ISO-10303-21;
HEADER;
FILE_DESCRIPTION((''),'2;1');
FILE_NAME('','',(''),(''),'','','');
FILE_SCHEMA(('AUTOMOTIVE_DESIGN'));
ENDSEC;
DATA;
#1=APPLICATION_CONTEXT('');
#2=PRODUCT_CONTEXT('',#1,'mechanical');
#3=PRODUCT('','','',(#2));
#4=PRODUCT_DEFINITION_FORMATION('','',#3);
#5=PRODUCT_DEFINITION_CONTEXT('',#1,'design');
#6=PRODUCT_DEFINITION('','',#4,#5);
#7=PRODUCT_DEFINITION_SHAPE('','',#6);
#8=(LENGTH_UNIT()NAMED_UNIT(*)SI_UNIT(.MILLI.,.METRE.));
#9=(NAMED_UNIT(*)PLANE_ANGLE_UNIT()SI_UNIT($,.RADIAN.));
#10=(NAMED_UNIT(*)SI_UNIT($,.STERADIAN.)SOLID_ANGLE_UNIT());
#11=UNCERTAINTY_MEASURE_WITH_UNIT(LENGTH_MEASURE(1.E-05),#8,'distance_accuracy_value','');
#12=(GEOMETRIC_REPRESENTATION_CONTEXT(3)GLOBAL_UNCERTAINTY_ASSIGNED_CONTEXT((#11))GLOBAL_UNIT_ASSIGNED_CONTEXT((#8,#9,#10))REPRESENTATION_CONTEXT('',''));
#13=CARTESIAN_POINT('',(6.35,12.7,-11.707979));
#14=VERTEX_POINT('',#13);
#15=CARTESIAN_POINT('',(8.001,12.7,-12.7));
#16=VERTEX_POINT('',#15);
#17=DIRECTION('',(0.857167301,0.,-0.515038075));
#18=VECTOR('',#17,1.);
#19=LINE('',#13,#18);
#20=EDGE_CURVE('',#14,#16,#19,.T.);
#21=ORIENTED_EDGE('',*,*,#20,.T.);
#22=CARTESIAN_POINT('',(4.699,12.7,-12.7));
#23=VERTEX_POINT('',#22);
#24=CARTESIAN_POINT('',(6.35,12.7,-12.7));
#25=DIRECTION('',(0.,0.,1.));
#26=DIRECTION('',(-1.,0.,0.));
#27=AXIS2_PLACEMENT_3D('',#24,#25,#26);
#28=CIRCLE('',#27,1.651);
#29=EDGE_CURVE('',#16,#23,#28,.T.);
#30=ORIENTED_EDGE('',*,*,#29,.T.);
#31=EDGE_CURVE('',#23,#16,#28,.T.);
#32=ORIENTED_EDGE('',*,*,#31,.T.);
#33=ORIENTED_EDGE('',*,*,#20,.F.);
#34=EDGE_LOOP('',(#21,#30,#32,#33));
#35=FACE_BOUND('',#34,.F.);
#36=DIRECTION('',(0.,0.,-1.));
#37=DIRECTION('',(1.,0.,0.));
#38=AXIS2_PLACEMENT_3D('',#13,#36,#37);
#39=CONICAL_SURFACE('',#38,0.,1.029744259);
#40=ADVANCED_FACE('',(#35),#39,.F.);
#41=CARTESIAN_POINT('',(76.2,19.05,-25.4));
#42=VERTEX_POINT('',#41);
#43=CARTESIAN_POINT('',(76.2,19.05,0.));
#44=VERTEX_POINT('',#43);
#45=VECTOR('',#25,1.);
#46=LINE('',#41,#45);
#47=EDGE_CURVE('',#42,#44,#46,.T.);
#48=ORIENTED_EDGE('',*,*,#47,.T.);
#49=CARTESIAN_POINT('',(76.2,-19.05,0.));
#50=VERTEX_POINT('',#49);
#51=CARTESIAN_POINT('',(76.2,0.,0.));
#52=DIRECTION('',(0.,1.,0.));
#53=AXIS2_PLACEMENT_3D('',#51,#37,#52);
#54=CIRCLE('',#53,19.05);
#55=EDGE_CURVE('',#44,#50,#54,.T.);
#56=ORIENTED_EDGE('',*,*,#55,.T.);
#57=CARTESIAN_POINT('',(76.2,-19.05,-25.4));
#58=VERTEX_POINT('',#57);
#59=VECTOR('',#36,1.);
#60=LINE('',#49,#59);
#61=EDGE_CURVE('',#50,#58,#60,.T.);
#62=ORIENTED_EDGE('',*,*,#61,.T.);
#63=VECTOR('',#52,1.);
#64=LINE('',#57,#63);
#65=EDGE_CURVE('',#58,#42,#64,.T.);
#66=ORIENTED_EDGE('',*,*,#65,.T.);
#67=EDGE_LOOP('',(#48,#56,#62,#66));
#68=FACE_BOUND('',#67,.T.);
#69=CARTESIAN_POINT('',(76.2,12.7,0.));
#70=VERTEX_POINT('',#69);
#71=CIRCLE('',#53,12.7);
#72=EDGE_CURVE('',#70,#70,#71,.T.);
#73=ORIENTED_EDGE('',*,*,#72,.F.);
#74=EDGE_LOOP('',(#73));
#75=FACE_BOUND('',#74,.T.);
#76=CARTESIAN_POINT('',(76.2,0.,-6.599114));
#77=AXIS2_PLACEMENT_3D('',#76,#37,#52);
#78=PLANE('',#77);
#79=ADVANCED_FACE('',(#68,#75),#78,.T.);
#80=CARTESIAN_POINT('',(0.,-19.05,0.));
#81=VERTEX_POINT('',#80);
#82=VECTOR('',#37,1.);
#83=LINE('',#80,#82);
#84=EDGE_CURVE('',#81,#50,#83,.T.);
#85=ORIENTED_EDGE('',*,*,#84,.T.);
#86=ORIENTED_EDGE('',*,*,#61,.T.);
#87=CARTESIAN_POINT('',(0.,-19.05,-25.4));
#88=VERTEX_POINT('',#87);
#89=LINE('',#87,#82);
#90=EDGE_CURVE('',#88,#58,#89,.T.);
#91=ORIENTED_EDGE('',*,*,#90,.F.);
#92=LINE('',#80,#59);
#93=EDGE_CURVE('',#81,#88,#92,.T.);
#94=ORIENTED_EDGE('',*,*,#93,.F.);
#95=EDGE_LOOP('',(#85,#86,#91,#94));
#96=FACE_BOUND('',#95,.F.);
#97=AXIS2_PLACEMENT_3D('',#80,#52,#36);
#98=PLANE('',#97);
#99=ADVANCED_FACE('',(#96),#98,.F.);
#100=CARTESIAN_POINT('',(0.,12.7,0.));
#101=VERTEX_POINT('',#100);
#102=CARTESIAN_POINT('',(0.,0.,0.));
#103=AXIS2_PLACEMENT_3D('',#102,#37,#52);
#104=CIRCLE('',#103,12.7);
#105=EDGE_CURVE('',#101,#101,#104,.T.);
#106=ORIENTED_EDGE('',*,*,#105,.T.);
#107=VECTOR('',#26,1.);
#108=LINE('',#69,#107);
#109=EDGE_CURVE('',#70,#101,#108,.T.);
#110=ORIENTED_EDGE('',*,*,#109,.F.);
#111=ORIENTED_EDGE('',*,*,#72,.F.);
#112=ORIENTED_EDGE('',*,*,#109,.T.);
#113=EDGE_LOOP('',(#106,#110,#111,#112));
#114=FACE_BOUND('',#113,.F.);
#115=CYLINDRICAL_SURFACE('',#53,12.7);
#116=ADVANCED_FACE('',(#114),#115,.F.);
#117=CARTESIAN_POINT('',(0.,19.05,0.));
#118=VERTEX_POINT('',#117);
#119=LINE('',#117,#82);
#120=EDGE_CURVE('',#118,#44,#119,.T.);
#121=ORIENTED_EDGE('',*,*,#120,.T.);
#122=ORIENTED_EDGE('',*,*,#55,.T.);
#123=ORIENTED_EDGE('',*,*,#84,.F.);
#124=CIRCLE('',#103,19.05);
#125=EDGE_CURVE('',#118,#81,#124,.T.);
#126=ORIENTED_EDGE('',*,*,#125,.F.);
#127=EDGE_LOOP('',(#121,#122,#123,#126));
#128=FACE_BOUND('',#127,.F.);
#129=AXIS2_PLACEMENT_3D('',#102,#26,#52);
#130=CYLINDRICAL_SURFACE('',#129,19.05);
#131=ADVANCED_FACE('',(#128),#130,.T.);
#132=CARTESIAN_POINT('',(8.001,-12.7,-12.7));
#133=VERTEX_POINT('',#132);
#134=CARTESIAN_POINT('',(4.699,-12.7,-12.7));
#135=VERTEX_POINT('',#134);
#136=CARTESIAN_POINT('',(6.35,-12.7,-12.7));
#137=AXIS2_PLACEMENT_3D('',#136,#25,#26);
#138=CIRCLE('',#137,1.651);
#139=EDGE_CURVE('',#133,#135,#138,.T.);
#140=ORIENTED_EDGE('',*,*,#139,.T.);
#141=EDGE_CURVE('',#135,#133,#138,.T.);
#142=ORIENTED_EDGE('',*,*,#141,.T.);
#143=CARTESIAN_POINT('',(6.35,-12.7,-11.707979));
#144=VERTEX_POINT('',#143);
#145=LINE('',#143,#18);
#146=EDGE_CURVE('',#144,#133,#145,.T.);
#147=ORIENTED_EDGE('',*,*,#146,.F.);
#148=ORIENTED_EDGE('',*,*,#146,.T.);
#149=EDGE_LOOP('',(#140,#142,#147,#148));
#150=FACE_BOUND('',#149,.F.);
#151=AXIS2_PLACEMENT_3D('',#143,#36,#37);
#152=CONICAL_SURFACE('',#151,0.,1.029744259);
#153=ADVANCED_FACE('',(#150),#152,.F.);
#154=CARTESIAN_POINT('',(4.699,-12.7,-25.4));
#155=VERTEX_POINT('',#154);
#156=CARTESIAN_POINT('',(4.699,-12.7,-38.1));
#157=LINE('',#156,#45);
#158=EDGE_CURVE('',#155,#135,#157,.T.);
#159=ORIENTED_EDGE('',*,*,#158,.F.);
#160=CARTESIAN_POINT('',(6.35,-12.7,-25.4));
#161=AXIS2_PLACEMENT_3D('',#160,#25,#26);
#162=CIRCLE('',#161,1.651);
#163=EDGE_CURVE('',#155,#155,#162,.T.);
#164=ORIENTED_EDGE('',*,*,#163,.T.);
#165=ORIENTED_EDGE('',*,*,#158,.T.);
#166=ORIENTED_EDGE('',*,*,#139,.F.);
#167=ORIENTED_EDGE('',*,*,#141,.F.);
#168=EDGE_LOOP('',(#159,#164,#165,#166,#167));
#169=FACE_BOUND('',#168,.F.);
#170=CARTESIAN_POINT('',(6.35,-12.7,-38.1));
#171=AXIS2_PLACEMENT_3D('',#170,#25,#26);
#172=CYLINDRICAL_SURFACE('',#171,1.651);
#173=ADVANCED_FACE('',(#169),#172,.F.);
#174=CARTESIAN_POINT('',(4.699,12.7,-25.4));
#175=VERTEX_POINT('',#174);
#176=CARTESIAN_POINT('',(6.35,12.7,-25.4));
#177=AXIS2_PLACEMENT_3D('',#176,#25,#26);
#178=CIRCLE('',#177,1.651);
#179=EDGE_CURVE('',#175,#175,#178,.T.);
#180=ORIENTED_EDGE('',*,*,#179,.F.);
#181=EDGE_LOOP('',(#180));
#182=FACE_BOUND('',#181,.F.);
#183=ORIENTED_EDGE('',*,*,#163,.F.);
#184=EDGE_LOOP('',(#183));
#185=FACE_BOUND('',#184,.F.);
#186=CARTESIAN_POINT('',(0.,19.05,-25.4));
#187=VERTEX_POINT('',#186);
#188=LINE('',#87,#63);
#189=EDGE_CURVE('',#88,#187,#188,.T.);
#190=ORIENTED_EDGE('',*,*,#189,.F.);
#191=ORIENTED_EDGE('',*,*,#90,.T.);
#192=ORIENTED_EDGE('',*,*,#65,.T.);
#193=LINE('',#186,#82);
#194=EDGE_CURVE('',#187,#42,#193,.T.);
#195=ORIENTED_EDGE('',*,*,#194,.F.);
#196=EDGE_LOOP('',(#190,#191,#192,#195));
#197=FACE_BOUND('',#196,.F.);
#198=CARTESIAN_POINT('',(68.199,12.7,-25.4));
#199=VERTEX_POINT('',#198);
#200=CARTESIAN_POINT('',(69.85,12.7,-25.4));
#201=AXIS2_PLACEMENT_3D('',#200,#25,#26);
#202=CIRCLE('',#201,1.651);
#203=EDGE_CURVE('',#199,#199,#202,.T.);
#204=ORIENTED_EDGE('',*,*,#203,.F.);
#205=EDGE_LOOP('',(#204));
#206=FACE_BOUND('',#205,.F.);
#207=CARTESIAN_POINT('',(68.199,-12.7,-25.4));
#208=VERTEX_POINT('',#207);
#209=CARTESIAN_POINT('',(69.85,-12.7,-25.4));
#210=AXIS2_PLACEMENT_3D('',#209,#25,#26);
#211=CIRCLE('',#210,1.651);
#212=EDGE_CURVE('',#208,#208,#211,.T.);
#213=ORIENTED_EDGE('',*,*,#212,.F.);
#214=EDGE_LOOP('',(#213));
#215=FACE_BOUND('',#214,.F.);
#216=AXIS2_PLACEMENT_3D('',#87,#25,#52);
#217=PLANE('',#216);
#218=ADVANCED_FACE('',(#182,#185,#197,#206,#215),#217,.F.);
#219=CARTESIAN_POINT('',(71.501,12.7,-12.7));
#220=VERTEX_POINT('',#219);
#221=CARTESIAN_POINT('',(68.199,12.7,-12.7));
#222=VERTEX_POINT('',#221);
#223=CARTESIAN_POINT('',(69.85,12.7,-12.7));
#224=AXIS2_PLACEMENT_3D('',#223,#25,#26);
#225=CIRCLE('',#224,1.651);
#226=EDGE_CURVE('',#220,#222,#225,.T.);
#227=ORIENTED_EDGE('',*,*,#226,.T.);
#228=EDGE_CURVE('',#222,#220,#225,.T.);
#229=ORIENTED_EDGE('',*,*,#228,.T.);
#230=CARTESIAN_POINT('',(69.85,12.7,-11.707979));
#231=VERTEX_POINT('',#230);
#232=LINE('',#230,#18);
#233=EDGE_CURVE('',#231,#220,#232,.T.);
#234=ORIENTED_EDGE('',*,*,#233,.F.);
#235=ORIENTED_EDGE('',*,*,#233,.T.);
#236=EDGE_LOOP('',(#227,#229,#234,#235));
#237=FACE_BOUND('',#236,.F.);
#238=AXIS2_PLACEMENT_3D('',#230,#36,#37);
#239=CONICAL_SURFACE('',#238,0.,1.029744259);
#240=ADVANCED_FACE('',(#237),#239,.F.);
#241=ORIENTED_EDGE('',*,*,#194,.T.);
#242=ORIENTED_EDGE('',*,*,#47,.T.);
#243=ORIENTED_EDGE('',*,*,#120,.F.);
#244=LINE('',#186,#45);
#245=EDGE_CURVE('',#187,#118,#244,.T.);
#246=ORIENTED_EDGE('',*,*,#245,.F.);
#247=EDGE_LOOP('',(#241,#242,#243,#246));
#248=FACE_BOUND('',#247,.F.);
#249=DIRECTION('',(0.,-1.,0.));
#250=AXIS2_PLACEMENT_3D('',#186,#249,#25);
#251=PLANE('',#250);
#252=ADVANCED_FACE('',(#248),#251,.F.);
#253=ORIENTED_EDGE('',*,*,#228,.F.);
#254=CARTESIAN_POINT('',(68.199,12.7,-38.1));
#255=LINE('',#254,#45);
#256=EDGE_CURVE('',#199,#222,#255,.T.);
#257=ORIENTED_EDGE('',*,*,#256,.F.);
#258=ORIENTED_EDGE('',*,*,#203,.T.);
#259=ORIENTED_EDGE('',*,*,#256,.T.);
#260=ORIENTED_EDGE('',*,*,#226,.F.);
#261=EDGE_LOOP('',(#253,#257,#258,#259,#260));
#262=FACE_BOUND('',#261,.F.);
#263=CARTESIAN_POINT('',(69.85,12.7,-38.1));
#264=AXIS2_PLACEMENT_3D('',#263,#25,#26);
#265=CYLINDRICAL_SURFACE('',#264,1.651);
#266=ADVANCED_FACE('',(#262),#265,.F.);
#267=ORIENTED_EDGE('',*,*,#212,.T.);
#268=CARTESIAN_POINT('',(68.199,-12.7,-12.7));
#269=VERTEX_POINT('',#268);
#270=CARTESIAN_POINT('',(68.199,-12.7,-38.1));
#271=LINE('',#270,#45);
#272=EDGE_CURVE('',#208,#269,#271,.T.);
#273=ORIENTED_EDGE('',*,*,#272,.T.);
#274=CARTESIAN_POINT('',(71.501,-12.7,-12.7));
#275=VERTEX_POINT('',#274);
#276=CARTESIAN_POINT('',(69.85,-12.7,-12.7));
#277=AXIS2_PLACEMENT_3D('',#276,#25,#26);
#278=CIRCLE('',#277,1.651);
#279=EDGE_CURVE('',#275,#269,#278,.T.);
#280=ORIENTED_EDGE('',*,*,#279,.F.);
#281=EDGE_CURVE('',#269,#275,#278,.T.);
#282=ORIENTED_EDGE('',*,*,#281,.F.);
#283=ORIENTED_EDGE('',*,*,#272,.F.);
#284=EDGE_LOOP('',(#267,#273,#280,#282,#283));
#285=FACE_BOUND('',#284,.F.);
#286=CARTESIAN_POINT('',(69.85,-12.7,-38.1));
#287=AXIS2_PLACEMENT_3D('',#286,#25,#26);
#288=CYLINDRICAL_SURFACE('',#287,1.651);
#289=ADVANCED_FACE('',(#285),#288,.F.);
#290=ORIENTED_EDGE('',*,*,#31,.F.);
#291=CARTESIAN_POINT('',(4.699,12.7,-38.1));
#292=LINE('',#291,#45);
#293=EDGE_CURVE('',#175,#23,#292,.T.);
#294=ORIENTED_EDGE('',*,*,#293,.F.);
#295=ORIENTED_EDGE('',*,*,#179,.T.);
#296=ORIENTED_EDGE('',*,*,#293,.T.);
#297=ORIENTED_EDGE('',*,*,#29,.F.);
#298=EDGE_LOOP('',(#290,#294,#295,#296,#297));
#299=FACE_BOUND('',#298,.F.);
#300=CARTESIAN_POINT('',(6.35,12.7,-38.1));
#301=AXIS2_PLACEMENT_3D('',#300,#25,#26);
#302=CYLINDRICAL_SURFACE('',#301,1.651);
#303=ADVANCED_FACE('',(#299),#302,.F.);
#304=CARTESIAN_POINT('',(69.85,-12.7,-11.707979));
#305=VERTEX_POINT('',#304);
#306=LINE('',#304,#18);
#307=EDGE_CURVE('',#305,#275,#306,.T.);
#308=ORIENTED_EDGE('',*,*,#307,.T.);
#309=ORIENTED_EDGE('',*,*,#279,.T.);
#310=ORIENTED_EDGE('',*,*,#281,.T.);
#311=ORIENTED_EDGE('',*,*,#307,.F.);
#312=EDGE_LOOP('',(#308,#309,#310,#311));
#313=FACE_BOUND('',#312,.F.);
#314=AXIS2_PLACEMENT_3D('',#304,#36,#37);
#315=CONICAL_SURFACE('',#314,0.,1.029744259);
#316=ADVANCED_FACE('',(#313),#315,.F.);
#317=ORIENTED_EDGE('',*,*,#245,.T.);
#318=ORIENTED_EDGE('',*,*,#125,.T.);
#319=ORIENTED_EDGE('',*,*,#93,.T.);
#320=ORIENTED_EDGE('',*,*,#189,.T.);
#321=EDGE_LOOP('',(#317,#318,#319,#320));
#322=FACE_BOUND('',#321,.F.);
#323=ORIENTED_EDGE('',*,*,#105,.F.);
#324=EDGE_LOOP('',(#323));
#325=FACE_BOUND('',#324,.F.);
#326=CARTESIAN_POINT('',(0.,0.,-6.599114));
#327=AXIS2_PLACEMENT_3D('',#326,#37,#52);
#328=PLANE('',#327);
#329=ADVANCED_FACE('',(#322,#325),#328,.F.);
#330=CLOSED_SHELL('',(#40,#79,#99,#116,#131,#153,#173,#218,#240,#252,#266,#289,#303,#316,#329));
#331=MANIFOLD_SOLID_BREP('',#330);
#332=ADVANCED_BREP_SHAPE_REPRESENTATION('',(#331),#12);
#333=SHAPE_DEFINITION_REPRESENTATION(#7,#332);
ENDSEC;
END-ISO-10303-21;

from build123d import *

# Parameters (mm, degrees)
F1_DEPTH = 76.2
F3_D     = 3.302
F3_DEPTH = 12.7
F3_TIP   = 0.992020882
F4_R     = 12.7
F5_DEPTH = 76.201


with BuildPart() as f1:
    # F0 (on Right) → F1 (new body)
    with BuildSketch(Plane.YZ):
        with BuildLine():
            ThreePointArc((-19.05, 0), (0, -19.05), (19.05, 0))
            Line((19.05, 0), (-19.05, 0))
        make_face()
        with BuildLine():
            Line((-19.05, 0), (19.05, 0))
            ThreePointArc((19.05, 0), (0, 19.05), (-19.05, 0))
        make_face()
        with BuildLine():
            Line((19.05, -25.4), (19.05, 0))
            ThreePointArc((19.05, 0), (0, -19.05), (-19.05, 0))
            Line((-19.05, 0), (-19.05, -25.4))
            Line((-19.05, -25.4), (19.05, -25.4))
        make_face()
    extrude(amount=F1_DEPTH)

    # F3
    with Locations(Plane(origin=(0, 0, -25.4), x_dir=(1, 0, 0), z_dir=(0, 0, -1))):
        with Locations((6.35, 12.7), (6.35, -12.7), (69.85, -12.7), (69.85, 12.7)):
            Hole(F3_D / 2, depth=F3_DEPTH)
            with Locations((0, 0, -(F3_DEPTH + F3_TIP / 2))):  # 118° drill point
                Cone(0, F3_D / 2, F3_TIP, mode=Mode.SUBTRACT)

    # F4 (on face) → F5 (cut, through all)
    with BuildSketch(Plane.YZ.offset(76.2)):
        Circle(F4_R)
    extrude(amount=-F5_DEPTH, mode=Mode.SUBTRACT)


solid = f1.part
